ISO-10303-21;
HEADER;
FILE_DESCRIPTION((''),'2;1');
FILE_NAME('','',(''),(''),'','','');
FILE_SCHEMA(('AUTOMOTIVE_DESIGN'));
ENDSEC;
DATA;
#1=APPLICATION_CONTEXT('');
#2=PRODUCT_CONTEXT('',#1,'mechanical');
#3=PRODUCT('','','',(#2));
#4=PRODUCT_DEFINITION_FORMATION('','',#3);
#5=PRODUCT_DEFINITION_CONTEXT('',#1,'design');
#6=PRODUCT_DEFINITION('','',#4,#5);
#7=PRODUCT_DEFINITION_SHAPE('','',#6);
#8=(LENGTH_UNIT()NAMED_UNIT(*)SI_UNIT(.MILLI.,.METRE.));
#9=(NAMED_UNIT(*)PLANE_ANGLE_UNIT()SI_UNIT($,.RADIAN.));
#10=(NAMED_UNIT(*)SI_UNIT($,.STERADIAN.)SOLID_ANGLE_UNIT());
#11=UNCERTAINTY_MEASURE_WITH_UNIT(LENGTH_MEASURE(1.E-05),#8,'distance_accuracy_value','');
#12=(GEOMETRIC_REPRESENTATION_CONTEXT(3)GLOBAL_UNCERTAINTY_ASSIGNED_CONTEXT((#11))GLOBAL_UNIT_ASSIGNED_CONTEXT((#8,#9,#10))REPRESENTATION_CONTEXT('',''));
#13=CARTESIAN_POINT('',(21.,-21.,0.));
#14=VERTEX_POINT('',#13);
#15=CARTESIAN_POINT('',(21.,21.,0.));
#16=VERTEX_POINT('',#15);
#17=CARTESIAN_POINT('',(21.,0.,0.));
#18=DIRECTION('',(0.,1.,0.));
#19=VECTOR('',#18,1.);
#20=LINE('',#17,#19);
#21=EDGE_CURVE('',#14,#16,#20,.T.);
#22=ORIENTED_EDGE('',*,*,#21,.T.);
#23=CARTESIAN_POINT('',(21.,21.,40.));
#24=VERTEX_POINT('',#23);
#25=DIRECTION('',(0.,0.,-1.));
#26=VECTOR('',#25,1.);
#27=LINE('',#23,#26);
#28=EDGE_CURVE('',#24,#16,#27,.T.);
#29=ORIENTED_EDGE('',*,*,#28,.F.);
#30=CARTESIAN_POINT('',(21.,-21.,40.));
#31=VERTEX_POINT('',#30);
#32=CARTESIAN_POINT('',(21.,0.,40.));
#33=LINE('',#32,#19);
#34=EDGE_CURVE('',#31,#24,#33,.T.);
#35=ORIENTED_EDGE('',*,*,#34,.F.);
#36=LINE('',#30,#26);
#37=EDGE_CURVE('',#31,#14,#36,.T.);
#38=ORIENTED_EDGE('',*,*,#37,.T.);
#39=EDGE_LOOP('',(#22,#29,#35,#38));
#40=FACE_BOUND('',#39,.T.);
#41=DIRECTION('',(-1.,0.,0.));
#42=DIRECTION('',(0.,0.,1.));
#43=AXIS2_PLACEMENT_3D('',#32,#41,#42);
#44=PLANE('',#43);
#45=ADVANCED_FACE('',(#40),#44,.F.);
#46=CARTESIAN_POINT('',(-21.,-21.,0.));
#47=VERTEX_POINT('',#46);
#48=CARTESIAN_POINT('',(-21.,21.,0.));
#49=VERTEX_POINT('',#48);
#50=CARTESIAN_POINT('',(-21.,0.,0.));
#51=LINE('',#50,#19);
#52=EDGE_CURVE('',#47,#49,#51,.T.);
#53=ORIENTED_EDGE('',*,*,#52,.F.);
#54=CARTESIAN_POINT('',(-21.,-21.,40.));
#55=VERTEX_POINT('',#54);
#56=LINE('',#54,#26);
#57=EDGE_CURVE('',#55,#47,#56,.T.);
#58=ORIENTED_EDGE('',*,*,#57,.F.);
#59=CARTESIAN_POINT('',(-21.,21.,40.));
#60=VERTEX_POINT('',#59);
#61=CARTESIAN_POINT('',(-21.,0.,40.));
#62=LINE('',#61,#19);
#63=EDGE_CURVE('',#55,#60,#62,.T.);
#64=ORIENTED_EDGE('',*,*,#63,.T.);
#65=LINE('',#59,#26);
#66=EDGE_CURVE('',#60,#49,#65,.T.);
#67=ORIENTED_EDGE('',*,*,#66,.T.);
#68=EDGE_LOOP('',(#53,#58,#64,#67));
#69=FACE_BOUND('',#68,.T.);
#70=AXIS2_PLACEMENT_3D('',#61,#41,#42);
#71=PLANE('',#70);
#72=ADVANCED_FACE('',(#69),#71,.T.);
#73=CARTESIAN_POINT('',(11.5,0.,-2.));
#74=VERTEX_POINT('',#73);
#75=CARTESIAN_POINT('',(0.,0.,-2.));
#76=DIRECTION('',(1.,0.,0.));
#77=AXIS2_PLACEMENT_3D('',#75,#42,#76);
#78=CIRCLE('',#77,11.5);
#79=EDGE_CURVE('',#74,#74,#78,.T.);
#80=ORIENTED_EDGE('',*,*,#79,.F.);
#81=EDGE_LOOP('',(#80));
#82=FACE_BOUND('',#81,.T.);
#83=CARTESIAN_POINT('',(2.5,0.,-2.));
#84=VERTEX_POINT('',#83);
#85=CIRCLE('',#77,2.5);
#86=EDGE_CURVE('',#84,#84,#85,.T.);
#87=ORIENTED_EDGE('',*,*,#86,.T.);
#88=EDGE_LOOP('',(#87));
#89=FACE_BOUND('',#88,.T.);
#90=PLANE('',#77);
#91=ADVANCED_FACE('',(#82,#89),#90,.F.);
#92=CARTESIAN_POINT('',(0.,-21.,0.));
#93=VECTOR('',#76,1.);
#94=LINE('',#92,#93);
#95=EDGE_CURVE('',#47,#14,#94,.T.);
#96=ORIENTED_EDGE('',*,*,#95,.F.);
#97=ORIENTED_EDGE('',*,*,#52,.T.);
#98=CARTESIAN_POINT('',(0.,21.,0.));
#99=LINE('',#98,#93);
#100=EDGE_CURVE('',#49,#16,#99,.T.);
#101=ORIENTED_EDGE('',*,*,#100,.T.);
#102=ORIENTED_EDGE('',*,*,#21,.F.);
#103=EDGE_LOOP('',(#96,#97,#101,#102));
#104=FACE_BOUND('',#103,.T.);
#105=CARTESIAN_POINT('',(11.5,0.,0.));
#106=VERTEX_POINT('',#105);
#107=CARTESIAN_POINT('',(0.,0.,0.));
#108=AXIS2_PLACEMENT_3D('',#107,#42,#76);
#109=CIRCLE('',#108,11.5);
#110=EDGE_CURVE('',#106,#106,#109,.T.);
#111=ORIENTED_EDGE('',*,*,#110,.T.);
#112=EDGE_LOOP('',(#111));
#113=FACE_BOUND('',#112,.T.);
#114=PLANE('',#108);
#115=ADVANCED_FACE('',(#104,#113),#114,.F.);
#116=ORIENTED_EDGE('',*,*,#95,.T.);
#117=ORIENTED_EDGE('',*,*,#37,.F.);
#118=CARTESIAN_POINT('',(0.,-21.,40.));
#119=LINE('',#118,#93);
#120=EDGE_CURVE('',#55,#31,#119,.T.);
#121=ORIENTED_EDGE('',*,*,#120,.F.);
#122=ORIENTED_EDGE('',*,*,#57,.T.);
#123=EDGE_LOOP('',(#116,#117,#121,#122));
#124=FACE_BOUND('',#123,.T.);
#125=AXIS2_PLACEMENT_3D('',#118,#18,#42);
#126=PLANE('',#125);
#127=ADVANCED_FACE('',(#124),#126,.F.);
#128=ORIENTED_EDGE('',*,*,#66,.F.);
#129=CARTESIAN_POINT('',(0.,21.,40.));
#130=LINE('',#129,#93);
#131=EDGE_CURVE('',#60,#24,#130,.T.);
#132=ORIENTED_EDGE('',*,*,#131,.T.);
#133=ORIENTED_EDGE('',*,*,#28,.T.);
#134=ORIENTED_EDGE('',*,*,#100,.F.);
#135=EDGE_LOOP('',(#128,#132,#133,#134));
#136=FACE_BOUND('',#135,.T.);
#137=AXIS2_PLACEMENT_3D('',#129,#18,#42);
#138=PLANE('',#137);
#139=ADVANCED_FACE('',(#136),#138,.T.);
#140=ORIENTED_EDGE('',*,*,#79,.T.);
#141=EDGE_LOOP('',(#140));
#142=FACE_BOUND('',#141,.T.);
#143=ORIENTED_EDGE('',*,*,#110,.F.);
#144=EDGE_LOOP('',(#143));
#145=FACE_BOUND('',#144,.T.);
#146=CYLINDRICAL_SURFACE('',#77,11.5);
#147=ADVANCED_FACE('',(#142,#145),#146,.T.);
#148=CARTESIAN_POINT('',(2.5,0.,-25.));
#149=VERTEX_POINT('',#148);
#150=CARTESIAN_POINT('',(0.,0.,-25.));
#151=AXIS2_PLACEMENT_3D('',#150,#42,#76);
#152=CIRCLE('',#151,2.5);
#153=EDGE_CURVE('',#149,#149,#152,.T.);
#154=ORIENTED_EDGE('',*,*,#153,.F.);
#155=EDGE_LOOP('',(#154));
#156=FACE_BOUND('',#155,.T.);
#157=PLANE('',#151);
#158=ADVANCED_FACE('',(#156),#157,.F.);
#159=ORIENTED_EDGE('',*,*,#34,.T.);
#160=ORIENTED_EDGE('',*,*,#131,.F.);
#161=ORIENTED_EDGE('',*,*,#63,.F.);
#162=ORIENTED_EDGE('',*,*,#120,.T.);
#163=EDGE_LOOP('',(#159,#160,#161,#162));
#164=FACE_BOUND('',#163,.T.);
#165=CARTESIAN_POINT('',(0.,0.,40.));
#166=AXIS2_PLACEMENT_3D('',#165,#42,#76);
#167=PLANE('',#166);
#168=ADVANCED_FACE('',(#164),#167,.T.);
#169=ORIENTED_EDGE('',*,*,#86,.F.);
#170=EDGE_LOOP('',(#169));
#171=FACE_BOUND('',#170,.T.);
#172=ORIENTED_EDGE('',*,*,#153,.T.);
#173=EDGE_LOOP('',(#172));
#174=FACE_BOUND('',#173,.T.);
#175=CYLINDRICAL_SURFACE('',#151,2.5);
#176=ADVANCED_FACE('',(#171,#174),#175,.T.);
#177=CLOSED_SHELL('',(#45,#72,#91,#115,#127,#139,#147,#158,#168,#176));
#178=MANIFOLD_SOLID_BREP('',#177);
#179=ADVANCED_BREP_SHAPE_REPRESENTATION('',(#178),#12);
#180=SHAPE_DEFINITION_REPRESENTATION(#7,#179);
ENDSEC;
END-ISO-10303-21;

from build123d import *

# Parameters (mm, degrees)
SKETCH_1_W      = 42
SKETCH_1_H      = 42
EXTRUDE_1_DEPTH = 40
SKETCH_1_3_R    = 11.5
EXTRUDE_2_DEPTH = 2
SKETCH_1_4_R    = 2.5
EXTRUDE_3_DEPTH = 25


with BuildPart() as part:
    # 草图1 → 凸台-拉伸1 (new body)
    with BuildSketch(Plane.XY):
        Rectangle(SKETCH_1_W, SKETCH_1_H)
    extrude(amount=EXTRUDE_1_DEPTH)

    # 草图1<3> → 凸台-拉伸2 (add)
    with BuildSketch(Plane.XY):
        Circle(SKETCH_1_3_R)
    extrude(amount=-EXTRUDE_2_DEPTH)

    # 草图1<4> → 凸台-拉伸3 (add)
    with BuildSketch(Plane.XY):
        Circle(SKETCH_1_4_R)
    extrude(amount=-EXTRUDE_3_DEPTH)


solid = part.part
